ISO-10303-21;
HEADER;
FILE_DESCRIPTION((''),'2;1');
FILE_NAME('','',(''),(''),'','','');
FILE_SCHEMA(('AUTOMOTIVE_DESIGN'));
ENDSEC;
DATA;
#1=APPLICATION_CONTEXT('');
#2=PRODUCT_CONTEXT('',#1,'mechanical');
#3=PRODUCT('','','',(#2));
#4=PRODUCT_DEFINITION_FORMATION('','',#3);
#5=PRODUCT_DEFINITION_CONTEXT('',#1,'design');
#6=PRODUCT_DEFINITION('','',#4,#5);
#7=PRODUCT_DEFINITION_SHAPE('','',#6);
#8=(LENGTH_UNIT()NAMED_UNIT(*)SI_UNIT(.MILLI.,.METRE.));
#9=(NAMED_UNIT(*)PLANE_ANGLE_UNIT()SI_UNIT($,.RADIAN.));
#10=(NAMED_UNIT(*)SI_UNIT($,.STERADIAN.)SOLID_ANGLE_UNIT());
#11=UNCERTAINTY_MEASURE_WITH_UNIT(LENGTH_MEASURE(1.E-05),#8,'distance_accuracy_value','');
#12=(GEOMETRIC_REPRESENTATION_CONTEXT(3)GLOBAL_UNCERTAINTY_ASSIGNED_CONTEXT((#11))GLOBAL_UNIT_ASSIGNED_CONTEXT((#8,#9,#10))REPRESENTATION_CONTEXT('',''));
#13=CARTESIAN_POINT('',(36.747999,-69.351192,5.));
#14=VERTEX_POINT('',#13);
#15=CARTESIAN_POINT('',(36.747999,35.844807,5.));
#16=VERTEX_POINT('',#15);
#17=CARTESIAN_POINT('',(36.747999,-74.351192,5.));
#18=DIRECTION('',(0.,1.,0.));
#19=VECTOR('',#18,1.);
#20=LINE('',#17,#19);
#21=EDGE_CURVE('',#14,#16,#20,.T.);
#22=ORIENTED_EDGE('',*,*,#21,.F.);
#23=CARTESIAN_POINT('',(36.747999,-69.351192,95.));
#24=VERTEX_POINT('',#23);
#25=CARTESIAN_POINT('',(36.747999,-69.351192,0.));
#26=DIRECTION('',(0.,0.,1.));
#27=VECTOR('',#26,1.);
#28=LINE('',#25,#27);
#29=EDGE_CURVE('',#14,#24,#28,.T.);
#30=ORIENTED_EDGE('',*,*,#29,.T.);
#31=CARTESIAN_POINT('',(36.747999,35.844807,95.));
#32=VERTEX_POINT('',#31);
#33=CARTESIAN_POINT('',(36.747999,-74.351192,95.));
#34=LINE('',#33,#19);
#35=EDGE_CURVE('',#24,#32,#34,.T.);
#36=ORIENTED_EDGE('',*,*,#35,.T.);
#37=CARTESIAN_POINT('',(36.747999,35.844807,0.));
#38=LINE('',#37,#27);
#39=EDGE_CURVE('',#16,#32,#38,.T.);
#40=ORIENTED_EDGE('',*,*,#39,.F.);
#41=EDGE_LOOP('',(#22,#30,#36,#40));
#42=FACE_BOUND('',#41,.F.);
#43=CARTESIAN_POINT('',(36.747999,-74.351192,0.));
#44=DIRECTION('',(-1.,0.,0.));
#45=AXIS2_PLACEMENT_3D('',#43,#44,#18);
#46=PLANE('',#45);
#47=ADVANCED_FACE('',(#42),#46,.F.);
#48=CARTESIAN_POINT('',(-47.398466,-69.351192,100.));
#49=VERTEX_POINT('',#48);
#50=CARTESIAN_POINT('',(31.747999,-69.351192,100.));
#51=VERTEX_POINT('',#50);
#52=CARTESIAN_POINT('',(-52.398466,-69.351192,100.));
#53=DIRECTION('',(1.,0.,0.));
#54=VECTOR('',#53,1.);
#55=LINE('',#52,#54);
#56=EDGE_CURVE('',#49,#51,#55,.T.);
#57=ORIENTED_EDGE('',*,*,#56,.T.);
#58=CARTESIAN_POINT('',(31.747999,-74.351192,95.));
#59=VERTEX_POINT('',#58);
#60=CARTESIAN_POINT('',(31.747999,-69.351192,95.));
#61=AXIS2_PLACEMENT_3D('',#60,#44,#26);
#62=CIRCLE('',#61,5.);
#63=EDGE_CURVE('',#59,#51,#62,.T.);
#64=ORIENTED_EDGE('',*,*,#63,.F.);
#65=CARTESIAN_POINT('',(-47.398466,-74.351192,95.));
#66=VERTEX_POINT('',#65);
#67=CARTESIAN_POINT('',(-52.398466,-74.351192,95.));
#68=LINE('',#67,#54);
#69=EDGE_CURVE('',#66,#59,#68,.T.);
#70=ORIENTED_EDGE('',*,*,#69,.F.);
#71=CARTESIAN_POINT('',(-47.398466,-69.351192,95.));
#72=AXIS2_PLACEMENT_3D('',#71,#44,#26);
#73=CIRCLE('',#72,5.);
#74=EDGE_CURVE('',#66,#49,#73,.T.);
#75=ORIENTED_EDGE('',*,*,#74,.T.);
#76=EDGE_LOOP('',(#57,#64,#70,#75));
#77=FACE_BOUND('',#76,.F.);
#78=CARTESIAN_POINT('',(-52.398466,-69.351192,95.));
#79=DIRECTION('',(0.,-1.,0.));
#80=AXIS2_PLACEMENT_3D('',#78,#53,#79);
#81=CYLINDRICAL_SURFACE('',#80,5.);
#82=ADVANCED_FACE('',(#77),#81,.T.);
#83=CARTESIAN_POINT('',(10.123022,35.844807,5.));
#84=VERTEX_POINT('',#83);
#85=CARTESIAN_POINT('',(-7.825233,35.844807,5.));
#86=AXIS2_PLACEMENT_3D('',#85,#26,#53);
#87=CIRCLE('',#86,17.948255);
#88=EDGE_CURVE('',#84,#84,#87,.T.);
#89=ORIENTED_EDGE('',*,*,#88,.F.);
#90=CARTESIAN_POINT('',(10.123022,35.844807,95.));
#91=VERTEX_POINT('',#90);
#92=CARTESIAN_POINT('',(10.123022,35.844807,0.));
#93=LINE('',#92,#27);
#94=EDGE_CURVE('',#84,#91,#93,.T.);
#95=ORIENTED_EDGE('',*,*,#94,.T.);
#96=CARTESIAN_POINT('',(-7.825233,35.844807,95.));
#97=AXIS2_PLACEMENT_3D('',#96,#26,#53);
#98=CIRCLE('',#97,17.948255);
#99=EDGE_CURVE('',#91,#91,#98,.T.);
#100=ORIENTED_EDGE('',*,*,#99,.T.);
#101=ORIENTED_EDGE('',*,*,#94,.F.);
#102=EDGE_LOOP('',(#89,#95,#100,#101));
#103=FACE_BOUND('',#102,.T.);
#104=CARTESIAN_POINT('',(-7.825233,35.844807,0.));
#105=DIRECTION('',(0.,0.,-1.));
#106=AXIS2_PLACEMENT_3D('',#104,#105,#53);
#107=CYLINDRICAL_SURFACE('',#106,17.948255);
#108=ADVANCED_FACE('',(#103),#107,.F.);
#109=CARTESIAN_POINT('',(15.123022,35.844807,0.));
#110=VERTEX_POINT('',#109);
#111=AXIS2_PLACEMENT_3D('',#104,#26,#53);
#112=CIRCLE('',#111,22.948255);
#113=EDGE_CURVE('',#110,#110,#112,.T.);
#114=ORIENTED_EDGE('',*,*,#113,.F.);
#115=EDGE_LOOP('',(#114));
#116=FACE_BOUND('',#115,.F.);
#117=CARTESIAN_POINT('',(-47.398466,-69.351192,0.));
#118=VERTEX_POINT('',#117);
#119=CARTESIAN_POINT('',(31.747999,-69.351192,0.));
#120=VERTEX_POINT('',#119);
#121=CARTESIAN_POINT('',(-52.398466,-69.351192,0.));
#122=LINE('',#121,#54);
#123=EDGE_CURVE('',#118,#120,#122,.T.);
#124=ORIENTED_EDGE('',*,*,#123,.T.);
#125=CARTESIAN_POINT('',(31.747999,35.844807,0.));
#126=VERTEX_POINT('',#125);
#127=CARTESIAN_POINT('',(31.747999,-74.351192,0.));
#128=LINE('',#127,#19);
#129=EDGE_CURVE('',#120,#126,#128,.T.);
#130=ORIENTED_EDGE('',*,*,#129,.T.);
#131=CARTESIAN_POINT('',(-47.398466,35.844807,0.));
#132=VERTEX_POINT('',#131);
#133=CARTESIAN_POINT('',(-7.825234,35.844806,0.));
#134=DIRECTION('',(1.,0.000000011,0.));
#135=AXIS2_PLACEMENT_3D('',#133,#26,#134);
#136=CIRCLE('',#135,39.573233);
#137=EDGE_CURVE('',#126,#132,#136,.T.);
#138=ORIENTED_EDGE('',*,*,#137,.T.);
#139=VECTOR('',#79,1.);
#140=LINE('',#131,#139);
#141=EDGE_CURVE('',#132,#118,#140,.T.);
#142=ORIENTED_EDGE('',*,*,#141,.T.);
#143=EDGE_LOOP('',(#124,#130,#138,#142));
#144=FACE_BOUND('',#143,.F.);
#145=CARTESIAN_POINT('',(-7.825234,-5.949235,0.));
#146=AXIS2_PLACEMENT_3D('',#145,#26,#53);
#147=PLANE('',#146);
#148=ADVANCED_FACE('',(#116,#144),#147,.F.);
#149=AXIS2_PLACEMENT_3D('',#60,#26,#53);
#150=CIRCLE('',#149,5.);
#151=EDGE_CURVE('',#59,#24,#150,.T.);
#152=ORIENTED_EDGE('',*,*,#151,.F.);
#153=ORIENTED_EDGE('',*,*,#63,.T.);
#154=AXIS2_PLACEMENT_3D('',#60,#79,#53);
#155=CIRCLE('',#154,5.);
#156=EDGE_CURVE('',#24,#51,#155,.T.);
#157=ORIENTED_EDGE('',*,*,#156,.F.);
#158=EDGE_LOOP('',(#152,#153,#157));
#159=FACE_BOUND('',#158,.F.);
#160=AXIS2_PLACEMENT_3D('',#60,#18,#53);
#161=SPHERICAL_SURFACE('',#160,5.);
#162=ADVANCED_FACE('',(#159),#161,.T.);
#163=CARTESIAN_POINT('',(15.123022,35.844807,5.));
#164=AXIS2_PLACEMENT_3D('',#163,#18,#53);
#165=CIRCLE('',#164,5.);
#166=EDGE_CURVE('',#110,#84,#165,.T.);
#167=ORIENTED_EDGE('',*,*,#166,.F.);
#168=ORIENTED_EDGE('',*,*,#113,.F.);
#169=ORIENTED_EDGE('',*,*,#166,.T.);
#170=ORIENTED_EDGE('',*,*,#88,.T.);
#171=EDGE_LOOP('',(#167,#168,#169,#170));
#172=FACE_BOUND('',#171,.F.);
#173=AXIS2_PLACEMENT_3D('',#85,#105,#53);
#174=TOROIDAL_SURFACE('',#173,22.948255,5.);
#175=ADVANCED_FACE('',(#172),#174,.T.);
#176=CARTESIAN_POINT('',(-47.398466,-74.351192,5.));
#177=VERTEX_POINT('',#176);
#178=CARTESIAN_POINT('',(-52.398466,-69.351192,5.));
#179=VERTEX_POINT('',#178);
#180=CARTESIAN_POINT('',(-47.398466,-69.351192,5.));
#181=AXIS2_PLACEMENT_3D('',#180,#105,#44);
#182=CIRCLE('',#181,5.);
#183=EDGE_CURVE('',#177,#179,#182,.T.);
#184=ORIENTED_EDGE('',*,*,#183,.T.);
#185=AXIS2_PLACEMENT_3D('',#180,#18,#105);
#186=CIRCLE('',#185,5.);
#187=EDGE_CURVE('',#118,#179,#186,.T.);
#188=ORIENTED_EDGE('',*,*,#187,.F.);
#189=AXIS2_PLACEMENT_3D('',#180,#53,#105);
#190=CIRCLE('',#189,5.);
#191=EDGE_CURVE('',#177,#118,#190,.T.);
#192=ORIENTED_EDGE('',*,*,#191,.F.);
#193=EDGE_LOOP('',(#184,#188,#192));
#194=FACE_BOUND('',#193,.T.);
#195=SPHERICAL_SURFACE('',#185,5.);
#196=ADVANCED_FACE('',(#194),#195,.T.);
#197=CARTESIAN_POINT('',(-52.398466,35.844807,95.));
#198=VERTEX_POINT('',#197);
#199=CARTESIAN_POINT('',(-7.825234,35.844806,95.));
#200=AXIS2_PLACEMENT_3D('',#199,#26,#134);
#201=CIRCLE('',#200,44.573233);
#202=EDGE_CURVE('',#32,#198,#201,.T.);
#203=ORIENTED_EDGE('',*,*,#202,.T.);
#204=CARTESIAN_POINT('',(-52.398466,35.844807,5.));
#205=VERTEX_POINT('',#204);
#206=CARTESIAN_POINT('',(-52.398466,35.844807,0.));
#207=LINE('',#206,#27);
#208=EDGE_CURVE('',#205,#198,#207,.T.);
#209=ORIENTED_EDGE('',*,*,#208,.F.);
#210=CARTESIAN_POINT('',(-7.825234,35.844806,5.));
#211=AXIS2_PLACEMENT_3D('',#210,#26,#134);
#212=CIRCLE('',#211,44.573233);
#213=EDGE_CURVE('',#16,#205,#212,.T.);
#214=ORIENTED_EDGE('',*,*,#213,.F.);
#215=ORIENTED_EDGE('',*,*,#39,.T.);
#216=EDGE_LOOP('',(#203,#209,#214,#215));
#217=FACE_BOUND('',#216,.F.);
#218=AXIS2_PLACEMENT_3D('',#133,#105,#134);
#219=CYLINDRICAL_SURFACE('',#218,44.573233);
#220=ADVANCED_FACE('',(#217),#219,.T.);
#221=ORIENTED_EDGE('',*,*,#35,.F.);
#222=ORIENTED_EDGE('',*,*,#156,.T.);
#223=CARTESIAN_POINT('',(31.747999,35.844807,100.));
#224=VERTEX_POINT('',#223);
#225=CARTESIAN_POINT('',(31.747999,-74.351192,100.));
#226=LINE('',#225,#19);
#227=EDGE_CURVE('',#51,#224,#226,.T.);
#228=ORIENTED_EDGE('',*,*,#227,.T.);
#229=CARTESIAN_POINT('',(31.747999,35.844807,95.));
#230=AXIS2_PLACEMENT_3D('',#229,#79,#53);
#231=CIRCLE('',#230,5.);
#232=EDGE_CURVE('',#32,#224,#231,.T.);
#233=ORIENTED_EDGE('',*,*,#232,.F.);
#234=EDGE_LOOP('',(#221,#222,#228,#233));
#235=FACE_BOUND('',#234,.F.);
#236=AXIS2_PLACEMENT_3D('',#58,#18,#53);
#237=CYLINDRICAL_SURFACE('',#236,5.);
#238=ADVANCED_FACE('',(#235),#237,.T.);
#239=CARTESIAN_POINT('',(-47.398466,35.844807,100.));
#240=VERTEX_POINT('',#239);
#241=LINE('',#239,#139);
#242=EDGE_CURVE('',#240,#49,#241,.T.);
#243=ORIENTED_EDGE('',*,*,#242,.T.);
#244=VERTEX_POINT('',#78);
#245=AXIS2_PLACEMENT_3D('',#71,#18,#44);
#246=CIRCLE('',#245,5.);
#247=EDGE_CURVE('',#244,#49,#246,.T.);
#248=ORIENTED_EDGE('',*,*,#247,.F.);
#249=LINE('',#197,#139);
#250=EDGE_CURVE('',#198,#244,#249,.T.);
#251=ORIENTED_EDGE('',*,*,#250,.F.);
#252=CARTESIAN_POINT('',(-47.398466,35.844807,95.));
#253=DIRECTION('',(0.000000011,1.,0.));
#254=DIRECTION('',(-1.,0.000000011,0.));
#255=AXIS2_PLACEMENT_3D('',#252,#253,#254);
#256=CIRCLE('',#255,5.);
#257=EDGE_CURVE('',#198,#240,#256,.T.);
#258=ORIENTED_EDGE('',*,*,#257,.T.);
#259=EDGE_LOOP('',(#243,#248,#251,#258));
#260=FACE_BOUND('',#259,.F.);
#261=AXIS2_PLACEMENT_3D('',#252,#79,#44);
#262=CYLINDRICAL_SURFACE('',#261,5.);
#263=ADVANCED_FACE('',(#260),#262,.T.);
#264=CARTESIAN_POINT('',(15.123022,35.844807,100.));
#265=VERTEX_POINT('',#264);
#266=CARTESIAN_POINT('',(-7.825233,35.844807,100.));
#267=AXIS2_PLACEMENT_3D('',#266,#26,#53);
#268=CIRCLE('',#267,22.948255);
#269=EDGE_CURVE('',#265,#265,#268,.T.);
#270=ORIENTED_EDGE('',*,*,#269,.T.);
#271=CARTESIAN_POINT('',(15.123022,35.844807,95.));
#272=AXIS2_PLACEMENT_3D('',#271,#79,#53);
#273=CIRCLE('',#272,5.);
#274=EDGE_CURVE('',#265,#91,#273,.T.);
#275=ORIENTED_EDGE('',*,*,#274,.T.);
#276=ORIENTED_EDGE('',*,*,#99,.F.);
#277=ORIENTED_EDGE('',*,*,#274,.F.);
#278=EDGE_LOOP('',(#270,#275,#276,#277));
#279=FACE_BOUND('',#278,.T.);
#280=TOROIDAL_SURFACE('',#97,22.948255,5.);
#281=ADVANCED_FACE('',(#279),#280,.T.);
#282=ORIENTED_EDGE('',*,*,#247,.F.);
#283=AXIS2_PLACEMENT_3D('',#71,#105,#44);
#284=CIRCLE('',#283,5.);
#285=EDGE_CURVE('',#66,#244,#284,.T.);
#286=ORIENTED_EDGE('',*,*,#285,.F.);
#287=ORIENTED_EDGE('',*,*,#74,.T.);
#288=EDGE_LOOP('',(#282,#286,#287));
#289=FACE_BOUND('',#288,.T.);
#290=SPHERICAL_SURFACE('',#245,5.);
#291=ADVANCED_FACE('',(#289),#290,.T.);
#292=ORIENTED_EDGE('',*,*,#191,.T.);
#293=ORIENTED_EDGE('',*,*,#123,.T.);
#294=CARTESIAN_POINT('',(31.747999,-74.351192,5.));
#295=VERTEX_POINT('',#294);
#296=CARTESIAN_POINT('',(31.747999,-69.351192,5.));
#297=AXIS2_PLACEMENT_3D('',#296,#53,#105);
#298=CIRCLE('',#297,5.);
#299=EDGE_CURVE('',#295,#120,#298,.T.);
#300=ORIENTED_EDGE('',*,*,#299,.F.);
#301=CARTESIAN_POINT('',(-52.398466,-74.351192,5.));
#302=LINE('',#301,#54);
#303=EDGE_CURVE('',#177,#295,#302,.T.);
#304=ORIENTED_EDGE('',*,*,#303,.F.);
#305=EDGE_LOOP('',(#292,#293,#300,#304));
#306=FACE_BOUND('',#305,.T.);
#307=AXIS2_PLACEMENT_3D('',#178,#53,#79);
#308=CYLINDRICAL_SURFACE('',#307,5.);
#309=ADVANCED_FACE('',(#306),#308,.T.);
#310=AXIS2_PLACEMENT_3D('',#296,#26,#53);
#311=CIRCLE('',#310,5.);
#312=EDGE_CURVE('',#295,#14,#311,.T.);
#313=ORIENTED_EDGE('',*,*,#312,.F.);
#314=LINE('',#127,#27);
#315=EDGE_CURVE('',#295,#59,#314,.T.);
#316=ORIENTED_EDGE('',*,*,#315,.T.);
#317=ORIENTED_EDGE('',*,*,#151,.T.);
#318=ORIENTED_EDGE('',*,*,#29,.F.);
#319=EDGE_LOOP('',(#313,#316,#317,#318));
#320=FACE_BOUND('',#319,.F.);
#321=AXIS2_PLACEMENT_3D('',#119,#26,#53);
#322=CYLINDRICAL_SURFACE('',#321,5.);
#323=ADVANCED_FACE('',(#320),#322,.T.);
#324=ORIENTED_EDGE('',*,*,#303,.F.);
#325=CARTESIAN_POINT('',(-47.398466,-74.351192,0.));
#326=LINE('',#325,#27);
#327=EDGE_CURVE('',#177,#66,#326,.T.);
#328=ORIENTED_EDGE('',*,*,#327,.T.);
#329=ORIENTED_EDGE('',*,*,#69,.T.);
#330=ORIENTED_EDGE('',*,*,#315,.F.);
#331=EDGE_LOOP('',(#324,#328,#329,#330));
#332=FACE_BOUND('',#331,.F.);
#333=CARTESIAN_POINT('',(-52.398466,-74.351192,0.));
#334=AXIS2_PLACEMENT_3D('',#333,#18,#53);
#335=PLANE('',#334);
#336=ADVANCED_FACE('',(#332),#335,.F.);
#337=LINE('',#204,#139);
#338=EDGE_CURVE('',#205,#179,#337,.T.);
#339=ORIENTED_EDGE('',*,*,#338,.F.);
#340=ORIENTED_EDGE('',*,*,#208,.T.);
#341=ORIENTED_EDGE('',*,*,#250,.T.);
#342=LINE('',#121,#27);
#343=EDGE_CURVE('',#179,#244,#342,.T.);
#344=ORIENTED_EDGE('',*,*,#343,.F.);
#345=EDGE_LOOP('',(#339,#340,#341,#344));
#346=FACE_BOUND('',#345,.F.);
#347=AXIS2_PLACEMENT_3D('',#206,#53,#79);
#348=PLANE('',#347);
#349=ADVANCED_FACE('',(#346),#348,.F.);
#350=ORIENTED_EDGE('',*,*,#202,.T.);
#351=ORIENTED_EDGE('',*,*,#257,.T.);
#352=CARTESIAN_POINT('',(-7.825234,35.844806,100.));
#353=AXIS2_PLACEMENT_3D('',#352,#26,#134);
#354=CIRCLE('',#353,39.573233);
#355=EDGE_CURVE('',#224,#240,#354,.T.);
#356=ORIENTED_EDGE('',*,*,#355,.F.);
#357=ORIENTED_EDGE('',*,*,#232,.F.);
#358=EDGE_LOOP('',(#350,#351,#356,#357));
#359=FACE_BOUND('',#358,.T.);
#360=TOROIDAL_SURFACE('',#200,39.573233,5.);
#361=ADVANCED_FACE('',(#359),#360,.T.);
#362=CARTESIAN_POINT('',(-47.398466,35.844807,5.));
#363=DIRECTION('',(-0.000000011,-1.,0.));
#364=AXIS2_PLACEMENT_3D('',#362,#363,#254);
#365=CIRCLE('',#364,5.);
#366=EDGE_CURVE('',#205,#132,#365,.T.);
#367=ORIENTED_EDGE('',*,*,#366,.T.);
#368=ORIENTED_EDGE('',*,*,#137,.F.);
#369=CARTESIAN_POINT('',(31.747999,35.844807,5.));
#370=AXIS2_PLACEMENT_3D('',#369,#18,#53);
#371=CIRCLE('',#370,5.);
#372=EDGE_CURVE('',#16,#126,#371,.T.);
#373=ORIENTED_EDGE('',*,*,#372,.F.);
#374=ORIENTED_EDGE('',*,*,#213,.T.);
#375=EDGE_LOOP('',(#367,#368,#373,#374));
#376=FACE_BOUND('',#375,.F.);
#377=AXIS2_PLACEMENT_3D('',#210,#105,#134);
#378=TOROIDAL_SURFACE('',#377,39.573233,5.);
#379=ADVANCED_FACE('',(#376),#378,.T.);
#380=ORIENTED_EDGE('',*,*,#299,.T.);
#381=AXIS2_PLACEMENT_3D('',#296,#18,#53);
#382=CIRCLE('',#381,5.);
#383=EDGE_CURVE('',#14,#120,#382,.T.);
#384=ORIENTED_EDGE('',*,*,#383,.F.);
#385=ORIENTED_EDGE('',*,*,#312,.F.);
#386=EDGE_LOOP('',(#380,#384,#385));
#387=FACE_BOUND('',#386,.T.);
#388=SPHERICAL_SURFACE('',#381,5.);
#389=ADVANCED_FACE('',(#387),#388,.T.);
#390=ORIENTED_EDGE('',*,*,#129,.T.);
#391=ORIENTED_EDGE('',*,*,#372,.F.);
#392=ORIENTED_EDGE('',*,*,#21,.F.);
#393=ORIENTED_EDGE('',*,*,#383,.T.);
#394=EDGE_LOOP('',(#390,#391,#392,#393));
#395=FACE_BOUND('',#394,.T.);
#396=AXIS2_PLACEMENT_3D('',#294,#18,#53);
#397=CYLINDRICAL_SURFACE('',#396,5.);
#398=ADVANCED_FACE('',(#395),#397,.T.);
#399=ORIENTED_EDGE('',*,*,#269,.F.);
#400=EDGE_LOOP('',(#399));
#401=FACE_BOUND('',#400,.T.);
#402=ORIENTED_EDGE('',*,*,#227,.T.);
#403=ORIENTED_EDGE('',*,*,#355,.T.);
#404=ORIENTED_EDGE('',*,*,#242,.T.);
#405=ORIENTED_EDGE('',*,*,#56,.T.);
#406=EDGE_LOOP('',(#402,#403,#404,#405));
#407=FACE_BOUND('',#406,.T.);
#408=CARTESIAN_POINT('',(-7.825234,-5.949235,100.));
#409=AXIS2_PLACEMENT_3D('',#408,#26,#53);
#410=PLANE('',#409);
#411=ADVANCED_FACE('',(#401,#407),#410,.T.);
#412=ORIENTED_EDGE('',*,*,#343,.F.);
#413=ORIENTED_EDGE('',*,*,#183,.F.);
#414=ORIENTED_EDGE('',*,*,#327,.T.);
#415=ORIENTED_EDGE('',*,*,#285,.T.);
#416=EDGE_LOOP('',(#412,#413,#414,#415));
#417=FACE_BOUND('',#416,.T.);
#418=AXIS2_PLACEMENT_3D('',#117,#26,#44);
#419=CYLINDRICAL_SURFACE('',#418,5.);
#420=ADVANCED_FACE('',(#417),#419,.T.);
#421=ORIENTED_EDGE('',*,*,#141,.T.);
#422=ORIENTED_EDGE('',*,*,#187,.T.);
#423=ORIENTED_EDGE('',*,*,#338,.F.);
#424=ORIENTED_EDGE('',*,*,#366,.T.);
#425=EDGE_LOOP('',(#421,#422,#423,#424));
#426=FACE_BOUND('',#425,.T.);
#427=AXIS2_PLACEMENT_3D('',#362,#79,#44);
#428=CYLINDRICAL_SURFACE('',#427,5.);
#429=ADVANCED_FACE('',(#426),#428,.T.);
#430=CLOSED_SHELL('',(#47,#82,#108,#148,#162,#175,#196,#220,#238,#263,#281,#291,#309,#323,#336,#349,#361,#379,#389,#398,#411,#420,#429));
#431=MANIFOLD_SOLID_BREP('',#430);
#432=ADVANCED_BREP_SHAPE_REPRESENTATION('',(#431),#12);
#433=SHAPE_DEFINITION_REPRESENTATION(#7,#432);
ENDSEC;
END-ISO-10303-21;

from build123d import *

# Parameters (mm, degrees)
F0_R     = 17.948255
F1_DEPTH = 100
F2_R     = 5
F3_R     = 5


with BuildPart() as f1:
    # F0 (on Top) → F1 (new body)
    with BuildSketch(Plane.XY):
        with BuildLine():
            ThreePointArc((36.747999, 35.844807), (-7.825233, 80.418039), (-52.398466, 35.844807))
            Line((-52.398466, 35.844807), (-52.398466, -74.351192))
            Line((-52.398466, -74.351192), (36.747999, -74.351192))
            Line((36.747999, -74.351192), (36.747999, 35.844807))
        make_face()
        with Locations((-7.825233, 35.844807)):
            Circle(F0_R, mode=Mode.SUBTRACT)
    extrude(amount=F1_DEPTH)

    # F2
    f2_edges = [f1.edges().sort_by_distance(p)[0] for p in [
        (-7.825233, 80.418039, 0),
        (36.747999, -19.253192, 100),
        (-7.825233, 80.418039, 100),
        (36.747999, -74.351192, 50),
        (-52.398466, -19.253192, 100),
        (-52.398466, -19.253192, 0),
        (-7.825233, -74.351192, 0),
        (-52.398466, -74.351192, 50),
        (-7.825233, -74.351192, 100),
        (36.747999, -19.253192, 0),
    ]]
    fillet(f2_edges, radius=F2_R)

    # F3
    f3_edges = [f1.edges().sort_by_distance(p)[0] for p in [
        (-25.773488, 35.844807, 100),
        (-25.773488, 35.844807, 0),
    ]]
    fillet(f3_edges, radius=F3_R)


solid = f1.part
